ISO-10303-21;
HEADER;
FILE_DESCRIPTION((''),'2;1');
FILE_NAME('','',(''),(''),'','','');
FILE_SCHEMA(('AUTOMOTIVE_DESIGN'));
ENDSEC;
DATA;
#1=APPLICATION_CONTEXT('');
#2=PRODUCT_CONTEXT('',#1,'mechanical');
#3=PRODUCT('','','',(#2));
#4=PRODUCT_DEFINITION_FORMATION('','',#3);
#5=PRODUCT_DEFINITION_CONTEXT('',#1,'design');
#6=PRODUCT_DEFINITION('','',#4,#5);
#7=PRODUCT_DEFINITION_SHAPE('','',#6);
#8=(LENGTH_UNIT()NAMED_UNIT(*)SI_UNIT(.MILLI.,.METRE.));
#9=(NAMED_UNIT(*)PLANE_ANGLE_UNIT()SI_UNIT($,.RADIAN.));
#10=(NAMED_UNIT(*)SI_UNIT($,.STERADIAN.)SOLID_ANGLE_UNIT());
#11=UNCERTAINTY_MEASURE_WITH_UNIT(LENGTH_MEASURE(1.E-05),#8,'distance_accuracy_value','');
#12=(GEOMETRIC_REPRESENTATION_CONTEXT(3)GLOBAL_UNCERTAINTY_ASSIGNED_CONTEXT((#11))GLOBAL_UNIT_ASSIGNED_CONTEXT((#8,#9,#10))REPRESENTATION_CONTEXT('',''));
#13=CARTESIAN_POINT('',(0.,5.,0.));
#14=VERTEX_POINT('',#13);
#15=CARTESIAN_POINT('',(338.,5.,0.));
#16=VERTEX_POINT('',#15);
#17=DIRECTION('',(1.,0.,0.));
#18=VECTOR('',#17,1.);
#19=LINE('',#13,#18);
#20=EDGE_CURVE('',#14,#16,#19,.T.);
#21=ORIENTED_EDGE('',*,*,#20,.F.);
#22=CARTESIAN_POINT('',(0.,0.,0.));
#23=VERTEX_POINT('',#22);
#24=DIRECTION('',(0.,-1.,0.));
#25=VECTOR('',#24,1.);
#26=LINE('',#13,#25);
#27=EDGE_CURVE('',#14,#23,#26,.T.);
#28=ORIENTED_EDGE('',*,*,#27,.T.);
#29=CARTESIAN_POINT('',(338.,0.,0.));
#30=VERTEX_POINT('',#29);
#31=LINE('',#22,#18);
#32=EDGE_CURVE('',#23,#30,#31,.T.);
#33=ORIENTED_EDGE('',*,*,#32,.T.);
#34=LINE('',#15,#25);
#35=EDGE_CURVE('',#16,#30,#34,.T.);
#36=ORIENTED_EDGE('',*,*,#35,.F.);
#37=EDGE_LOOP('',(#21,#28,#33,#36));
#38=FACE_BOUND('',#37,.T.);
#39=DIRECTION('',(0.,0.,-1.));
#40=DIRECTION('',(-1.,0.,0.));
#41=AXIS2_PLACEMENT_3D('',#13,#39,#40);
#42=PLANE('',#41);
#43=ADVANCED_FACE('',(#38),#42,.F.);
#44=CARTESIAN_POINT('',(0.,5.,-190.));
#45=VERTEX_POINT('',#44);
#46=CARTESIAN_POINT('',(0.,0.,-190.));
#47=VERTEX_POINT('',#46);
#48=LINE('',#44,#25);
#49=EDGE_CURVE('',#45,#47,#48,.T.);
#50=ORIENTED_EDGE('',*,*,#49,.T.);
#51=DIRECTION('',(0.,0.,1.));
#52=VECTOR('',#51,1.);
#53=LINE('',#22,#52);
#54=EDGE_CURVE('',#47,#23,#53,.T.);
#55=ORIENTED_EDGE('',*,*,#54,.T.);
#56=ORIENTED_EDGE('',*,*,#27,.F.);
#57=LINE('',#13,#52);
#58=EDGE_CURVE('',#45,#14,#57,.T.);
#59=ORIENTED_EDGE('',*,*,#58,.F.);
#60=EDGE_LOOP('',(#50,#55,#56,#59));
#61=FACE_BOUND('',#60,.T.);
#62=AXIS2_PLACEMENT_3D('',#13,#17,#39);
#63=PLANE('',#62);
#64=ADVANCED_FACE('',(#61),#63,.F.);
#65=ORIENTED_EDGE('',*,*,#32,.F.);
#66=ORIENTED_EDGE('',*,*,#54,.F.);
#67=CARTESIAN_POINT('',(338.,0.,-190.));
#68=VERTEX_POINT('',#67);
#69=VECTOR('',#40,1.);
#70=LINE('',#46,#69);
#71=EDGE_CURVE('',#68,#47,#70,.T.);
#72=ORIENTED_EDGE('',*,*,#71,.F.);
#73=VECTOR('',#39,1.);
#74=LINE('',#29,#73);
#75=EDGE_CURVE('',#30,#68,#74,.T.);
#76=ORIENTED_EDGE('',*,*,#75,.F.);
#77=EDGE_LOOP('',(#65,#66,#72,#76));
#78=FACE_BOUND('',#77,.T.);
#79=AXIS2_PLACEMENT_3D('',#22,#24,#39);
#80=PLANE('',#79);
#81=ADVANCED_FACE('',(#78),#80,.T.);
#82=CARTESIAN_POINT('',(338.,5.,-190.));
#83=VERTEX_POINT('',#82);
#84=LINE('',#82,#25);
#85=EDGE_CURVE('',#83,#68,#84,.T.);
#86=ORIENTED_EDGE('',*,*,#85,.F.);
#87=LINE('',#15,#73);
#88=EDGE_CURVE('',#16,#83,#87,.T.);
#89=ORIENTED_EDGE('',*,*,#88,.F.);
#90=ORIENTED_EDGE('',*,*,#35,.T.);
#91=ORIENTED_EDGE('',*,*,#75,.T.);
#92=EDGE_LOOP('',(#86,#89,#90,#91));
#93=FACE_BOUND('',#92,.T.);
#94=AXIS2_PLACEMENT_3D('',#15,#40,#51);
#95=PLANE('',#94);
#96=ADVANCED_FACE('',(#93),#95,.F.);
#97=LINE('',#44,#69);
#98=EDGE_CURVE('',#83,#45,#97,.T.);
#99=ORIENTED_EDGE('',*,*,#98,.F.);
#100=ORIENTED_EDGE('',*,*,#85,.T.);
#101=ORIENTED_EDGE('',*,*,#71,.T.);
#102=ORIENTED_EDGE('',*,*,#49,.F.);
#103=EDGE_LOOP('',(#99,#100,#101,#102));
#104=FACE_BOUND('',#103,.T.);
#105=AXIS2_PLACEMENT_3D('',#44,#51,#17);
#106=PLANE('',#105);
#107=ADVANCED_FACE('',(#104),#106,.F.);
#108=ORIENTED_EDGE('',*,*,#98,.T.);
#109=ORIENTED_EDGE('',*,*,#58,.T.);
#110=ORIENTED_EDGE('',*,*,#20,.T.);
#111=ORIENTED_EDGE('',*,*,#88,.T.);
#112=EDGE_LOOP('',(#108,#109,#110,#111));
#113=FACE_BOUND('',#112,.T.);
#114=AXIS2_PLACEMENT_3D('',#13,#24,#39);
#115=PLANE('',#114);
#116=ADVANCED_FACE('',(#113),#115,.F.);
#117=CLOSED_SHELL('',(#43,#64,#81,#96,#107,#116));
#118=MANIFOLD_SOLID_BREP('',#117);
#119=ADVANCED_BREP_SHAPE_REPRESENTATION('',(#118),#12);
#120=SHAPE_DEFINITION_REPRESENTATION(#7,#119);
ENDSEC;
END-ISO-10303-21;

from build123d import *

# Parameters (mm, degrees)
SKETCH_1_W      = 338
SKETCH_1_H      = 190
EXTRUDE_1_DEPTH = 5


with BuildPart() as part:
    # 스케치1 → 보스-돌출1 (new body)
    with BuildSketch(Plane(origin=(0, 0, 0), x_dir=(1, 0, 0), z_dir=(0, 1, 0))):
        with Locations((169, 95)):
            Rectangle(SKETCH_1_W, SKETCH_1_H)
    extrude(amount=EXTRUDE_1_DEPTH)


solid = part.part
